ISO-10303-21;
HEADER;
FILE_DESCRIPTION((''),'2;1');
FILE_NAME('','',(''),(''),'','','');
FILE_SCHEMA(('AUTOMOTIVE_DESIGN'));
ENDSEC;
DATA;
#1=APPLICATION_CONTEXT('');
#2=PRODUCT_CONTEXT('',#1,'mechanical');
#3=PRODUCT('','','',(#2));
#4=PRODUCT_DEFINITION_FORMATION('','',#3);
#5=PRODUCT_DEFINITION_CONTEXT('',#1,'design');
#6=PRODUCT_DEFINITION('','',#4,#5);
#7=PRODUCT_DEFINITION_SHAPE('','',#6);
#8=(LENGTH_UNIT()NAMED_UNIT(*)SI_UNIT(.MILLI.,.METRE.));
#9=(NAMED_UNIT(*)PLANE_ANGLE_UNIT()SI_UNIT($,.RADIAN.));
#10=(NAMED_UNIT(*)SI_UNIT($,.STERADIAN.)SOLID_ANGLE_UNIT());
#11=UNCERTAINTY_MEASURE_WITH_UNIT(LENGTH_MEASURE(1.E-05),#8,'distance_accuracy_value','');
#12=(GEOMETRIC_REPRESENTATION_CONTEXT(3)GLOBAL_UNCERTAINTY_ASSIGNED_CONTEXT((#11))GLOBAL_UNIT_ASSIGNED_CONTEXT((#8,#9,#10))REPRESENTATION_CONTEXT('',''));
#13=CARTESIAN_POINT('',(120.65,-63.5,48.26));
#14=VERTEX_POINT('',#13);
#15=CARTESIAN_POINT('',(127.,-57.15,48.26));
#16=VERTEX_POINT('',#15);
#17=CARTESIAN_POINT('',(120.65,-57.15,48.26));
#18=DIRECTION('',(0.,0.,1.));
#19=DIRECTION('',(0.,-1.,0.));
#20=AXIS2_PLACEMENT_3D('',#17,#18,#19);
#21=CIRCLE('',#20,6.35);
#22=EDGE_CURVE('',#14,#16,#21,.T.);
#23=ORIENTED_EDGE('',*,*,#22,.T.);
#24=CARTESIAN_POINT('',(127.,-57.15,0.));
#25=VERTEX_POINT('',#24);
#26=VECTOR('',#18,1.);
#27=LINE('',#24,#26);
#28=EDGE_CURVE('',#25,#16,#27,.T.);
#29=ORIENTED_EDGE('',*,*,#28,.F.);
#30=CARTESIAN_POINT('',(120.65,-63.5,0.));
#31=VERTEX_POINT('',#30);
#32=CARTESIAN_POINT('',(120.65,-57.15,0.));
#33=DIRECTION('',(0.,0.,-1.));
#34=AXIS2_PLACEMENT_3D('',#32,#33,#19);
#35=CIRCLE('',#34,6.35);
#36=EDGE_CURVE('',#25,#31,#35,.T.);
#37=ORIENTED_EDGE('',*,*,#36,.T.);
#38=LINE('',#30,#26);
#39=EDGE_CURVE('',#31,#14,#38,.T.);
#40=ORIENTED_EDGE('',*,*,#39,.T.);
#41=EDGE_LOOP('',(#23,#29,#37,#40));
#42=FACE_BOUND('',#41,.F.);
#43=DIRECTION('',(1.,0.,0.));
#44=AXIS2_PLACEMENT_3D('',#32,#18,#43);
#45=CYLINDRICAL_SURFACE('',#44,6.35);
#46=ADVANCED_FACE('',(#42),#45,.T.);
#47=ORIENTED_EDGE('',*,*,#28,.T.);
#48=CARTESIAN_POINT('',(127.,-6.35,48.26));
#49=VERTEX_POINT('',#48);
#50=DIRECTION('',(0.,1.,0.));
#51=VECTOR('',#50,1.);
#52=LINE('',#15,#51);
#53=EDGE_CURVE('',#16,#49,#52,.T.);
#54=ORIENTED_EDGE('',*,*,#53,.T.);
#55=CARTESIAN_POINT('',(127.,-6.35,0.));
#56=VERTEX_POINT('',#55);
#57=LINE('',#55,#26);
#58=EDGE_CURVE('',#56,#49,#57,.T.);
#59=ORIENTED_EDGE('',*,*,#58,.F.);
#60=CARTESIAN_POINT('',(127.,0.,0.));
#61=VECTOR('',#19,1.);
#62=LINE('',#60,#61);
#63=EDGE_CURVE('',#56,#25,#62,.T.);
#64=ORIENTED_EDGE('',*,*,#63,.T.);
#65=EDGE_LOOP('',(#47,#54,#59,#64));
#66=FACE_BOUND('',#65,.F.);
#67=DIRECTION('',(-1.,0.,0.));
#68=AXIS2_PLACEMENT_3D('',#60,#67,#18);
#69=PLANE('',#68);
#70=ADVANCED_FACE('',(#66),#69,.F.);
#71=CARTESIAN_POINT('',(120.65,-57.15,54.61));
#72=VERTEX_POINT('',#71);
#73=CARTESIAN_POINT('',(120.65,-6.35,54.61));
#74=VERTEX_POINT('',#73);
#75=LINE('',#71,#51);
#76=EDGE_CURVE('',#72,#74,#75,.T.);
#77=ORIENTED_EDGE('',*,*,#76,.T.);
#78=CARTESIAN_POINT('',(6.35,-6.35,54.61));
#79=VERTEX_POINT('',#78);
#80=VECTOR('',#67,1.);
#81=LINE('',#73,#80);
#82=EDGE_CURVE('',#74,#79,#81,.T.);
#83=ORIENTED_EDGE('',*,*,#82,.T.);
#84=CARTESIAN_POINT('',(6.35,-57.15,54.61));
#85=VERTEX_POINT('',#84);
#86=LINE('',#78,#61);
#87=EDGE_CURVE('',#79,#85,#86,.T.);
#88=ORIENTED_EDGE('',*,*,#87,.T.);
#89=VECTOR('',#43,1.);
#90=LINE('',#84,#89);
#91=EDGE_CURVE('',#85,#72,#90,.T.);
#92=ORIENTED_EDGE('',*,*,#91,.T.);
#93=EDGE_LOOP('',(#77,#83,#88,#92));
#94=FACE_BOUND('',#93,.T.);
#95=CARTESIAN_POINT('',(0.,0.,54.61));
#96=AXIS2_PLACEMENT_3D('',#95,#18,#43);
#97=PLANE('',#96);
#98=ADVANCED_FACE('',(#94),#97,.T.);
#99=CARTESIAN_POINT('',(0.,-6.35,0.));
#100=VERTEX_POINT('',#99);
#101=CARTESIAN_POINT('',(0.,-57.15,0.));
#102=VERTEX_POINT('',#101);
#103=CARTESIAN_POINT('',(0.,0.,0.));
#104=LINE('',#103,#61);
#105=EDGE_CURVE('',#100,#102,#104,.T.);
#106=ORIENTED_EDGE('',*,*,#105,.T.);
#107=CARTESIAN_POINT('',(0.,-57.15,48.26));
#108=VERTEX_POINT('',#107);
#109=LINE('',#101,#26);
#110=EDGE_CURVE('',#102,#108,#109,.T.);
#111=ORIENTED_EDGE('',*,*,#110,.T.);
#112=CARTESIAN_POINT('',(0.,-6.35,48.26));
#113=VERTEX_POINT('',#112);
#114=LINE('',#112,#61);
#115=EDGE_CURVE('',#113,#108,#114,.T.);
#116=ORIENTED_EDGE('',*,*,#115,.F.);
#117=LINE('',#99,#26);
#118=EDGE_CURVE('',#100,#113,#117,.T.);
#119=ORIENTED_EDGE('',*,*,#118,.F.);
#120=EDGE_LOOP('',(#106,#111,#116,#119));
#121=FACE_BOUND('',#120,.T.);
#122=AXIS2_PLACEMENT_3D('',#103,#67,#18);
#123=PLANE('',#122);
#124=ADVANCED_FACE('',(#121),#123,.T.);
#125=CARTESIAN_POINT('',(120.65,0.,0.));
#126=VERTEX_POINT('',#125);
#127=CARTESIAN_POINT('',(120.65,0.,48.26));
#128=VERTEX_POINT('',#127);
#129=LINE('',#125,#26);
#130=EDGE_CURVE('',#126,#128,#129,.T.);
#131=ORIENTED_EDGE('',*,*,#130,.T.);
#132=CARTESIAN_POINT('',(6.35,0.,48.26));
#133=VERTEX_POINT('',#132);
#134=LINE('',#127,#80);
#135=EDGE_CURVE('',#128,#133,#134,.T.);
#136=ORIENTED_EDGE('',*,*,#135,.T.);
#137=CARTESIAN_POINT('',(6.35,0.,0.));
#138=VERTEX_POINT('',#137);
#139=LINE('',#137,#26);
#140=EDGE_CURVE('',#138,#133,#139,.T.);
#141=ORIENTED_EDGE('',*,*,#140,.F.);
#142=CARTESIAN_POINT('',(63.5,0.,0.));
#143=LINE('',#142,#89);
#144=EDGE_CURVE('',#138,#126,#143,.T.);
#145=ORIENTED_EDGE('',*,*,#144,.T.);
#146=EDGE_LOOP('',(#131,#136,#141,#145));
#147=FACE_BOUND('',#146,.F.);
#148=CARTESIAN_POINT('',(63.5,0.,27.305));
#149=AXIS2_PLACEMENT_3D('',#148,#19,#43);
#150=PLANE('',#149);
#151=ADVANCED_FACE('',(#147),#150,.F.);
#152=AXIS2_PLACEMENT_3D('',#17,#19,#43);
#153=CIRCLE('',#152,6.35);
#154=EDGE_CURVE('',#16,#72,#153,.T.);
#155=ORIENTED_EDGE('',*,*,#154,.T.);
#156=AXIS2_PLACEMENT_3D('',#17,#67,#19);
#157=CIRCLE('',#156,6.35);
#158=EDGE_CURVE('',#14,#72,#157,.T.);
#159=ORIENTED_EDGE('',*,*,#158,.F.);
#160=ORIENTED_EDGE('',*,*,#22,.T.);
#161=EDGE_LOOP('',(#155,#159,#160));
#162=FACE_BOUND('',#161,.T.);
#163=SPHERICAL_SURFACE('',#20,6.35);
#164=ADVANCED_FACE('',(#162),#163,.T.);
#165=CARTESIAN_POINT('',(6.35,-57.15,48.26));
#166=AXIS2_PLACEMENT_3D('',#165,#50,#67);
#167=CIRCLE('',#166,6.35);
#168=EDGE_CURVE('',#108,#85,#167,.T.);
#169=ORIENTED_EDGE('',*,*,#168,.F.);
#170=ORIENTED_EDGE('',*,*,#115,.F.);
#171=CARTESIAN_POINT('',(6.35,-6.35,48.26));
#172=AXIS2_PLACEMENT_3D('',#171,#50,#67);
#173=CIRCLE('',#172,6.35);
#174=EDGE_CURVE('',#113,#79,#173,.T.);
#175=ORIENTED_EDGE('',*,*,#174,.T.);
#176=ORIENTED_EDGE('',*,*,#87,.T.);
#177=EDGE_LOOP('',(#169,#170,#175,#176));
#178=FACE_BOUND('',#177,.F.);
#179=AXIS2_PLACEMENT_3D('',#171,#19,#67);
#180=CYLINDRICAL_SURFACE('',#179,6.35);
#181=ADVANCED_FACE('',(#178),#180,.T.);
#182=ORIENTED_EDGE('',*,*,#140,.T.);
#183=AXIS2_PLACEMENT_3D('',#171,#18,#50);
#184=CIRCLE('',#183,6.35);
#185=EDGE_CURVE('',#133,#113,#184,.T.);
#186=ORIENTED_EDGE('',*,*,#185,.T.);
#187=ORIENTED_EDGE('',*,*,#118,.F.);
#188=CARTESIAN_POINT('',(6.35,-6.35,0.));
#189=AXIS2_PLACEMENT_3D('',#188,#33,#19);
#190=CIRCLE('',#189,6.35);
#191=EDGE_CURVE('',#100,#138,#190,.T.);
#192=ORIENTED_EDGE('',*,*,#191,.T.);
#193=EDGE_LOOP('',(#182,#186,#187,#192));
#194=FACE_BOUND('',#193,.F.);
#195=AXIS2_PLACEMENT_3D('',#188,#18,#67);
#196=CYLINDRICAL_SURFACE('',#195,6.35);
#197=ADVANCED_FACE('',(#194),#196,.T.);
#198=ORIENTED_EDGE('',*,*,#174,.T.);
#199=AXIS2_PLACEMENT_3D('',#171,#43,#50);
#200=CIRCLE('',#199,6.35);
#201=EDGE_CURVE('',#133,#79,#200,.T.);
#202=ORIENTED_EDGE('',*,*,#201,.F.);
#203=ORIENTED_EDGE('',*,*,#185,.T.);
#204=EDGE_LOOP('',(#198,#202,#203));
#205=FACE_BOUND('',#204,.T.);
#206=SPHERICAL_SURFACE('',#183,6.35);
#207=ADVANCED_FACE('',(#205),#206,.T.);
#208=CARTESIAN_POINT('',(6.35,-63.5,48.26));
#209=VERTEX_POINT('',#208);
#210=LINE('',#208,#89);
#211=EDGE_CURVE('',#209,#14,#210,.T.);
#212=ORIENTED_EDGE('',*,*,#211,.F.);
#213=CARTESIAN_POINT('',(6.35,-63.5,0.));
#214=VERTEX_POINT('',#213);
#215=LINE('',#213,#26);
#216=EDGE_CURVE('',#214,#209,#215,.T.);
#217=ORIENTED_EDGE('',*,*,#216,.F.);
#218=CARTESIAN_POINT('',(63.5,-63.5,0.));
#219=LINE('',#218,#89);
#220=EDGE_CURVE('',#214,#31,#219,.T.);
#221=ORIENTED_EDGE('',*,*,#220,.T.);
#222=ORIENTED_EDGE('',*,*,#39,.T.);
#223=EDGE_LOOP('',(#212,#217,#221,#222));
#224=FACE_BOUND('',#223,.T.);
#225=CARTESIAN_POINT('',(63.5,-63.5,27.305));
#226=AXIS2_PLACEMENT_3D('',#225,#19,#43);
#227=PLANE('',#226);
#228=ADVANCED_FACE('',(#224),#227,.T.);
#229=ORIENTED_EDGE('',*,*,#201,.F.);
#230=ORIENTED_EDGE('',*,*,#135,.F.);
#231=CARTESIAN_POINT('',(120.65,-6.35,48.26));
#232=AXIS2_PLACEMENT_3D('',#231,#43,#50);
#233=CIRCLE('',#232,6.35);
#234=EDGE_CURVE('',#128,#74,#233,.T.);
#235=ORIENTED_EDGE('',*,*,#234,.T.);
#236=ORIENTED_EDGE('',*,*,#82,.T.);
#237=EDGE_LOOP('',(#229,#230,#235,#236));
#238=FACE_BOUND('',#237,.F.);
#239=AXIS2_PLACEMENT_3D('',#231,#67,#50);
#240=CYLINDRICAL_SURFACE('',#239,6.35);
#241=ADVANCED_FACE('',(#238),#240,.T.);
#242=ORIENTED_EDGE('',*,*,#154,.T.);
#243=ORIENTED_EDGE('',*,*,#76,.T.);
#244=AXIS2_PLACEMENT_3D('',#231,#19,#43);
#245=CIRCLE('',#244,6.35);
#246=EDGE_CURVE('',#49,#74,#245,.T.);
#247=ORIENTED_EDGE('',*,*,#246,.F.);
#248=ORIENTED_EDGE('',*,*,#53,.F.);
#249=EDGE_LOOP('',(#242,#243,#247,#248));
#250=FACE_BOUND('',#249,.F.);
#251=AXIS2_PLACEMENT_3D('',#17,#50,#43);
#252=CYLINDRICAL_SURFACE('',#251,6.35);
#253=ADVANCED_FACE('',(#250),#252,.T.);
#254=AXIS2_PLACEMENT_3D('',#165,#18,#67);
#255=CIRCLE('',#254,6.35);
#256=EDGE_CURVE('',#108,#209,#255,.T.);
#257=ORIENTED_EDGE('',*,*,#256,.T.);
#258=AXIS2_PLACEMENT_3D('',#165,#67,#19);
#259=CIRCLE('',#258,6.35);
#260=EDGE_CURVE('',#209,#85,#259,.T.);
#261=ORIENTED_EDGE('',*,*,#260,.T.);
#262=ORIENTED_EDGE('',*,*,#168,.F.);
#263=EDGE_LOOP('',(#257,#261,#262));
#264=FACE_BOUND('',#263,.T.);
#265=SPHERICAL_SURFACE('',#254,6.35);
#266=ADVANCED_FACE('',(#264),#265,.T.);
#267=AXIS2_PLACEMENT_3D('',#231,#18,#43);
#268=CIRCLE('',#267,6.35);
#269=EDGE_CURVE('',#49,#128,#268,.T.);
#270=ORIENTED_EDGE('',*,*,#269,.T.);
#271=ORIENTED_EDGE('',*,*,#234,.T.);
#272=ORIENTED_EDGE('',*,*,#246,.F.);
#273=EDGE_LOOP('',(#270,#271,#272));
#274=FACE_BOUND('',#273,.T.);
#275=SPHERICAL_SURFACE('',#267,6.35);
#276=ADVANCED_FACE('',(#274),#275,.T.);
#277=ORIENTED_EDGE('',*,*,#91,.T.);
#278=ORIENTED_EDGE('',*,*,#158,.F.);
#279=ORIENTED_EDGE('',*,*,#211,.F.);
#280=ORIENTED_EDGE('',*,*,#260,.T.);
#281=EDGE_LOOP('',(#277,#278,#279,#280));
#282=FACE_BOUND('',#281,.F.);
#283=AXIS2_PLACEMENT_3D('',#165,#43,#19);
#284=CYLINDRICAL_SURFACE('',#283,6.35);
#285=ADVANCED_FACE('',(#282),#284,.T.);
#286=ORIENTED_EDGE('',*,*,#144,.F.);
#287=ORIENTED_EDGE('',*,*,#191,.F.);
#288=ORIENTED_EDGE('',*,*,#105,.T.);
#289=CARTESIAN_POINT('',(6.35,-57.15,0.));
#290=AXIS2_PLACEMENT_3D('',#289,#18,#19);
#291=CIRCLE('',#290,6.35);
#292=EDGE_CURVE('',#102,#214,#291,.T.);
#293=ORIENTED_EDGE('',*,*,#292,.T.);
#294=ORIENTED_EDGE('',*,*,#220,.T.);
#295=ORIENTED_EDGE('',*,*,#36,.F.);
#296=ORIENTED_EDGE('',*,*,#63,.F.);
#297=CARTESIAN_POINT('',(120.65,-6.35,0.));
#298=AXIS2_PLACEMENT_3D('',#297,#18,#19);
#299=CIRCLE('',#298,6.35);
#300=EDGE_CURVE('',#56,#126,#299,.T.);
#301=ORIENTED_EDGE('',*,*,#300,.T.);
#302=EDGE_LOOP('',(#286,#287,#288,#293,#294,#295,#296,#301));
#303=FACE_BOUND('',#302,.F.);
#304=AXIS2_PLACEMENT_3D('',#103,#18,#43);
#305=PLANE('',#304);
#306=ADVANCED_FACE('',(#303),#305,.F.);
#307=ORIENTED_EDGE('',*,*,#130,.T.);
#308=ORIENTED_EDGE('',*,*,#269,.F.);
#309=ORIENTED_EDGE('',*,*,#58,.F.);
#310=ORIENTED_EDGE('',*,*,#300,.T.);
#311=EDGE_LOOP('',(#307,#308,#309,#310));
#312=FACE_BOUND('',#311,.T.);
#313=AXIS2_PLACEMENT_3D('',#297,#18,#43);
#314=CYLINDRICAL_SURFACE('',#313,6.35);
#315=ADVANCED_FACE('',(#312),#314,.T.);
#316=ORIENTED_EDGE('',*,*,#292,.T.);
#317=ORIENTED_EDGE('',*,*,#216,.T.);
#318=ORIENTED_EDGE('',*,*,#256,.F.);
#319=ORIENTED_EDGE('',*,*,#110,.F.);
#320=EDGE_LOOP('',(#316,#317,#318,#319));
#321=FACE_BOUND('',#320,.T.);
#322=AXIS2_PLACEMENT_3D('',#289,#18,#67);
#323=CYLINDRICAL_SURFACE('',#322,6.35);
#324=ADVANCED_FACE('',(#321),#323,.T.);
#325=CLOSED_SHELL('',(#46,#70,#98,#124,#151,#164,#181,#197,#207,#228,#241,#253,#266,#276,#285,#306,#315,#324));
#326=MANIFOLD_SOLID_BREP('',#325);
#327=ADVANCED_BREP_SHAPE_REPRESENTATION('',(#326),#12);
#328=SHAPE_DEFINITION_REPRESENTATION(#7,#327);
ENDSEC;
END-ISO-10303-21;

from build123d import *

# Parameters (mm, degrees)
F0_W     = 127
F0_H     = 54.61
F1_DEPTH = 63.5
F2_R     = 6.35
F3_R     = 6.35


with BuildPart() as f1:
    # F0 (on Front) → F1 (new body)
    with BuildSketch(Plane.XZ):
        with Locations((63.5, 27.305)):
            Rectangle(F0_W, F0_H)
    extrude(amount=F1_DEPTH)

    # F2
    f2_edges = [f1.edges().sort_by_distance(p)[0] for p in [
        (127, -63.5, 27.305),
        (127, 0, 27.305),
        (0, -63.5, 27.305),
        (0, 0, 27.305),
    ]]
    fillet(f2_edges, radius=F2_R)

    # F3
    f3_edges = [f1.edges().sort_by_distance(p)[0] for p in [
        (0, -31.75, 54.61),
    ]]
    fillet(f3_edges, radius=F3_R)


solid = f1.part
